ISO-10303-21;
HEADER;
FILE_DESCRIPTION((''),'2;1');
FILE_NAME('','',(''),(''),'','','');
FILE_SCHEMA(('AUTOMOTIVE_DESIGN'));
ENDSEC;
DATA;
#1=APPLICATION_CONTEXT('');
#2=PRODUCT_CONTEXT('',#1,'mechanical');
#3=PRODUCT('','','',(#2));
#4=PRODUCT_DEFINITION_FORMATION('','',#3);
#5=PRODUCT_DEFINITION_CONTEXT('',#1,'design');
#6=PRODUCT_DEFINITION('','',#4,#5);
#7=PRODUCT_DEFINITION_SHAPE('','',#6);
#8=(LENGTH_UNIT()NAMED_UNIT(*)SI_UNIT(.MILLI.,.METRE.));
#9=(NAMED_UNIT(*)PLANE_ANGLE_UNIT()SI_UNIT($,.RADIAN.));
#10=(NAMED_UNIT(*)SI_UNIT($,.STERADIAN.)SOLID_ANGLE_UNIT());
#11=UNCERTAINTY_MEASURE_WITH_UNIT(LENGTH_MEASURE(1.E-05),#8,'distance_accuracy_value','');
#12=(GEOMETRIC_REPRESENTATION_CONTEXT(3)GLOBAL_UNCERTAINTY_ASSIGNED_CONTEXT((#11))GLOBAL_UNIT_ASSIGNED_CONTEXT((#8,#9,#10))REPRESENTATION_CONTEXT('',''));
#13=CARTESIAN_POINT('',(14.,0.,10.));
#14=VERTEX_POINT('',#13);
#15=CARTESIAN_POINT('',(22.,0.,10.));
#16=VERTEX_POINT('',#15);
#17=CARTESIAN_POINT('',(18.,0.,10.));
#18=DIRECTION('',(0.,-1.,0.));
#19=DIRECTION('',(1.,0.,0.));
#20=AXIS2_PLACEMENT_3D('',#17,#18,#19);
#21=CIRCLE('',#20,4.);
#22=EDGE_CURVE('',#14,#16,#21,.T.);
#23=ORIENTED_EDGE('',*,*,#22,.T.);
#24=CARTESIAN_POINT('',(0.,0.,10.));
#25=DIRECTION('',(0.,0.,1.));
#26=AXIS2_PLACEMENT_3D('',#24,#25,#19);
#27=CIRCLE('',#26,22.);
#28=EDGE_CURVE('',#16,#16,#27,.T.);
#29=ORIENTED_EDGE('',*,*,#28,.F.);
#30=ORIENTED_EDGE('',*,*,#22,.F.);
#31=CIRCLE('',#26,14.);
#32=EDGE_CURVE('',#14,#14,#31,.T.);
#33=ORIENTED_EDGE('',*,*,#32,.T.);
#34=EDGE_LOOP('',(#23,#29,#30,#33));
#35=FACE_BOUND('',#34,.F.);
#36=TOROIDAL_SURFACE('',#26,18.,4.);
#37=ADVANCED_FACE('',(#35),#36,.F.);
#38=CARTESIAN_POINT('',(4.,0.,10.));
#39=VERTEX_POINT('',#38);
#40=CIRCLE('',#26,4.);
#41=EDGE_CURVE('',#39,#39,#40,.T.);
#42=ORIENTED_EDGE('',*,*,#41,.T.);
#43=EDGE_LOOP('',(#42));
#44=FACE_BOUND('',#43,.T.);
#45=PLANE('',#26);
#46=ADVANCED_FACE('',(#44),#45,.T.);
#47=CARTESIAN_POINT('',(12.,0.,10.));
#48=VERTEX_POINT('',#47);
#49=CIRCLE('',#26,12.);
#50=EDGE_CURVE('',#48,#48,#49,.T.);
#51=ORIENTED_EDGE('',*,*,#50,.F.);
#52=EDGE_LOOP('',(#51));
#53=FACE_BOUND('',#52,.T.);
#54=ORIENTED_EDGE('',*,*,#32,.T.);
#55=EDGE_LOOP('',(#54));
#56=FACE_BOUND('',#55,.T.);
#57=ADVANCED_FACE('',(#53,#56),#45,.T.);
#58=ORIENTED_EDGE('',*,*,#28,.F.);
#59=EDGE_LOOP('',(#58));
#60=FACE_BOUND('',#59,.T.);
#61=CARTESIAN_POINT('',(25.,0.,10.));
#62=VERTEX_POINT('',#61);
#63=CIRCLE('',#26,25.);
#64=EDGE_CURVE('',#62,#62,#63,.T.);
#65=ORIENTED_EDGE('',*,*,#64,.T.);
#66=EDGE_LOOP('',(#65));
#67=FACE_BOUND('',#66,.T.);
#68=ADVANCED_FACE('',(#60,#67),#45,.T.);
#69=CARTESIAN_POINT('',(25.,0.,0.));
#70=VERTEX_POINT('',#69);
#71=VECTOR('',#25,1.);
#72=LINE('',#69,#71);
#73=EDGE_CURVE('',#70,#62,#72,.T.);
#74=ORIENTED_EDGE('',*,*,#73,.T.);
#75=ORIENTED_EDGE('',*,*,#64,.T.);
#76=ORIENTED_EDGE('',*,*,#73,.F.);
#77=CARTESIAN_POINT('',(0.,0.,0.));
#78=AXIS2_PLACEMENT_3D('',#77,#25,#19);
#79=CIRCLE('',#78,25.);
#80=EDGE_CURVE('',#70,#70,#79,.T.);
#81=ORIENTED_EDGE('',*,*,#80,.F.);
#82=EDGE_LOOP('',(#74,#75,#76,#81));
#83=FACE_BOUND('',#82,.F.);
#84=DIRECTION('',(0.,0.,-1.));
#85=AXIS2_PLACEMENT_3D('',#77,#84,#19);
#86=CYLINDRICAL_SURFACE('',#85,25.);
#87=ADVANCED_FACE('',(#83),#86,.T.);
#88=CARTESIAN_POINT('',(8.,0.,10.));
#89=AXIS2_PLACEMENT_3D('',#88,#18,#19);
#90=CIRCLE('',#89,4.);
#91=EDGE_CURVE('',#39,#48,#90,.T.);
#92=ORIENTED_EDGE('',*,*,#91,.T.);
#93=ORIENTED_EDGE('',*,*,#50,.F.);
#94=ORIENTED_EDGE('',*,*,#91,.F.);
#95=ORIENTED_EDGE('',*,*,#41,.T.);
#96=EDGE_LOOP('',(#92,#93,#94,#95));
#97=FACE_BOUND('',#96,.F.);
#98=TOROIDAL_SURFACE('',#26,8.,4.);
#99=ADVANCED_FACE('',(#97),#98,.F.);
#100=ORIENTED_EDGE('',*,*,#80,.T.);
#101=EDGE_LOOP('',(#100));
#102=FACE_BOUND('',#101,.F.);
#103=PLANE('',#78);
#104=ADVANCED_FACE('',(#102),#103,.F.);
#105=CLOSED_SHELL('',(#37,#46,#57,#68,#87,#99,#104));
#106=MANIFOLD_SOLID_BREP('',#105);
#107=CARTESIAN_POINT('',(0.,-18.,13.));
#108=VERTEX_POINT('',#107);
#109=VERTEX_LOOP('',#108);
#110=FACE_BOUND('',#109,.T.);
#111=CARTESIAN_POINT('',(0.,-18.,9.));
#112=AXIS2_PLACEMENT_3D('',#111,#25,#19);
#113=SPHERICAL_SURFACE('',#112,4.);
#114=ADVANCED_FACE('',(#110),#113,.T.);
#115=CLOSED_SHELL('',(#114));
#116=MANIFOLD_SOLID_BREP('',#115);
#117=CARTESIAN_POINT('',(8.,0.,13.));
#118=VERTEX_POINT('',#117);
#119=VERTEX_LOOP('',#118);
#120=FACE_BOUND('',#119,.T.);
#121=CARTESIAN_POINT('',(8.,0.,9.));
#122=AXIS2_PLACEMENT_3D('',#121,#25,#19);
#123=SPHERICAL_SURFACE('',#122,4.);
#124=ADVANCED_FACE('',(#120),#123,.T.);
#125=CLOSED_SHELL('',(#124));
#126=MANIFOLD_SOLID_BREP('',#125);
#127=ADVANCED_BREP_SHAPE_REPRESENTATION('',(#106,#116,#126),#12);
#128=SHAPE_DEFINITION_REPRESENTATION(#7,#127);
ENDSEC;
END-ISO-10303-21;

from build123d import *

# Parameters (mm, degrees)
TORUS001_R     = 4
TORUS_R        = 4
CYLINDER_R     = 25
CYLINDER_DEPTH = 10


with BuildPart() as torus001:
    # Torus001 → Torus001 (revolve)
    with BuildSketch(Plane(origin=(0, 0, 10), x_dir=(1, 0, 0), z_dir=(0, -1, 0))):
        with Locations((18, 0)):
            Circle(TORUS001_R)
    revolve(axis=Axis((0, 0, 10), (0, 0, 1)))


with BuildPart() as torus:
    # Torus → Torus (revolve)
    with BuildSketch(Plane(origin=(0, 0, 10), x_dir=(1, 0, 0), z_dir=(0, -1, 0))):
        with Locations((8, 0)):
            Circle(TORUS_R)
    revolve(axis=Axis((0, 0, 10), (0, 0, 1)))


with BuildPart() as cut001:
    # Cylinder → Cylinder (new body)
    with BuildSketch(Plane.XY):
        Circle(CYLINDER_R)
    extrude(amount=CYLINDER_DEPTH)

    # Cut: cut Torus
    add(torus.part, mode=Mode.SUBTRACT)

    # Cut001: cut Torus001
    add(torus001.part, mode=Mode.SUBTRACT)


with BuildPart() as sphere:
    # Sphere → Sphere (revolve)
    with BuildSketch(Plane(origin=(8, 0, 9), x_dir=(1, 0, 0), z_dir=(0, -1, 0))):
        with BuildLine():
            ThreePointArc((0, -4), (4, 0), (0, 4))
            Line((0, 4), (0, -4))
        make_face()
    revolve(axis=Axis((8, 0, 9), (0, 0, 1)))


with BuildPart() as sphere001:
    # Sphere001 → Sphere001 (revolve)
    with BuildSketch(Plane(origin=(0, -18, 9), x_dir=(1, 0, 0), z_dir=(0, -1, 0))):
        with BuildLine():
            ThreePointArc((0, -4), (4, 0), (0, 4))
            Line((0, 4), (0, -4))
        make_face()
    revolve(axis=Axis((0, -18, 9), (0, 0, 1)))


solid = Compound([cut001.part, sphere.part, sphere001.part])
